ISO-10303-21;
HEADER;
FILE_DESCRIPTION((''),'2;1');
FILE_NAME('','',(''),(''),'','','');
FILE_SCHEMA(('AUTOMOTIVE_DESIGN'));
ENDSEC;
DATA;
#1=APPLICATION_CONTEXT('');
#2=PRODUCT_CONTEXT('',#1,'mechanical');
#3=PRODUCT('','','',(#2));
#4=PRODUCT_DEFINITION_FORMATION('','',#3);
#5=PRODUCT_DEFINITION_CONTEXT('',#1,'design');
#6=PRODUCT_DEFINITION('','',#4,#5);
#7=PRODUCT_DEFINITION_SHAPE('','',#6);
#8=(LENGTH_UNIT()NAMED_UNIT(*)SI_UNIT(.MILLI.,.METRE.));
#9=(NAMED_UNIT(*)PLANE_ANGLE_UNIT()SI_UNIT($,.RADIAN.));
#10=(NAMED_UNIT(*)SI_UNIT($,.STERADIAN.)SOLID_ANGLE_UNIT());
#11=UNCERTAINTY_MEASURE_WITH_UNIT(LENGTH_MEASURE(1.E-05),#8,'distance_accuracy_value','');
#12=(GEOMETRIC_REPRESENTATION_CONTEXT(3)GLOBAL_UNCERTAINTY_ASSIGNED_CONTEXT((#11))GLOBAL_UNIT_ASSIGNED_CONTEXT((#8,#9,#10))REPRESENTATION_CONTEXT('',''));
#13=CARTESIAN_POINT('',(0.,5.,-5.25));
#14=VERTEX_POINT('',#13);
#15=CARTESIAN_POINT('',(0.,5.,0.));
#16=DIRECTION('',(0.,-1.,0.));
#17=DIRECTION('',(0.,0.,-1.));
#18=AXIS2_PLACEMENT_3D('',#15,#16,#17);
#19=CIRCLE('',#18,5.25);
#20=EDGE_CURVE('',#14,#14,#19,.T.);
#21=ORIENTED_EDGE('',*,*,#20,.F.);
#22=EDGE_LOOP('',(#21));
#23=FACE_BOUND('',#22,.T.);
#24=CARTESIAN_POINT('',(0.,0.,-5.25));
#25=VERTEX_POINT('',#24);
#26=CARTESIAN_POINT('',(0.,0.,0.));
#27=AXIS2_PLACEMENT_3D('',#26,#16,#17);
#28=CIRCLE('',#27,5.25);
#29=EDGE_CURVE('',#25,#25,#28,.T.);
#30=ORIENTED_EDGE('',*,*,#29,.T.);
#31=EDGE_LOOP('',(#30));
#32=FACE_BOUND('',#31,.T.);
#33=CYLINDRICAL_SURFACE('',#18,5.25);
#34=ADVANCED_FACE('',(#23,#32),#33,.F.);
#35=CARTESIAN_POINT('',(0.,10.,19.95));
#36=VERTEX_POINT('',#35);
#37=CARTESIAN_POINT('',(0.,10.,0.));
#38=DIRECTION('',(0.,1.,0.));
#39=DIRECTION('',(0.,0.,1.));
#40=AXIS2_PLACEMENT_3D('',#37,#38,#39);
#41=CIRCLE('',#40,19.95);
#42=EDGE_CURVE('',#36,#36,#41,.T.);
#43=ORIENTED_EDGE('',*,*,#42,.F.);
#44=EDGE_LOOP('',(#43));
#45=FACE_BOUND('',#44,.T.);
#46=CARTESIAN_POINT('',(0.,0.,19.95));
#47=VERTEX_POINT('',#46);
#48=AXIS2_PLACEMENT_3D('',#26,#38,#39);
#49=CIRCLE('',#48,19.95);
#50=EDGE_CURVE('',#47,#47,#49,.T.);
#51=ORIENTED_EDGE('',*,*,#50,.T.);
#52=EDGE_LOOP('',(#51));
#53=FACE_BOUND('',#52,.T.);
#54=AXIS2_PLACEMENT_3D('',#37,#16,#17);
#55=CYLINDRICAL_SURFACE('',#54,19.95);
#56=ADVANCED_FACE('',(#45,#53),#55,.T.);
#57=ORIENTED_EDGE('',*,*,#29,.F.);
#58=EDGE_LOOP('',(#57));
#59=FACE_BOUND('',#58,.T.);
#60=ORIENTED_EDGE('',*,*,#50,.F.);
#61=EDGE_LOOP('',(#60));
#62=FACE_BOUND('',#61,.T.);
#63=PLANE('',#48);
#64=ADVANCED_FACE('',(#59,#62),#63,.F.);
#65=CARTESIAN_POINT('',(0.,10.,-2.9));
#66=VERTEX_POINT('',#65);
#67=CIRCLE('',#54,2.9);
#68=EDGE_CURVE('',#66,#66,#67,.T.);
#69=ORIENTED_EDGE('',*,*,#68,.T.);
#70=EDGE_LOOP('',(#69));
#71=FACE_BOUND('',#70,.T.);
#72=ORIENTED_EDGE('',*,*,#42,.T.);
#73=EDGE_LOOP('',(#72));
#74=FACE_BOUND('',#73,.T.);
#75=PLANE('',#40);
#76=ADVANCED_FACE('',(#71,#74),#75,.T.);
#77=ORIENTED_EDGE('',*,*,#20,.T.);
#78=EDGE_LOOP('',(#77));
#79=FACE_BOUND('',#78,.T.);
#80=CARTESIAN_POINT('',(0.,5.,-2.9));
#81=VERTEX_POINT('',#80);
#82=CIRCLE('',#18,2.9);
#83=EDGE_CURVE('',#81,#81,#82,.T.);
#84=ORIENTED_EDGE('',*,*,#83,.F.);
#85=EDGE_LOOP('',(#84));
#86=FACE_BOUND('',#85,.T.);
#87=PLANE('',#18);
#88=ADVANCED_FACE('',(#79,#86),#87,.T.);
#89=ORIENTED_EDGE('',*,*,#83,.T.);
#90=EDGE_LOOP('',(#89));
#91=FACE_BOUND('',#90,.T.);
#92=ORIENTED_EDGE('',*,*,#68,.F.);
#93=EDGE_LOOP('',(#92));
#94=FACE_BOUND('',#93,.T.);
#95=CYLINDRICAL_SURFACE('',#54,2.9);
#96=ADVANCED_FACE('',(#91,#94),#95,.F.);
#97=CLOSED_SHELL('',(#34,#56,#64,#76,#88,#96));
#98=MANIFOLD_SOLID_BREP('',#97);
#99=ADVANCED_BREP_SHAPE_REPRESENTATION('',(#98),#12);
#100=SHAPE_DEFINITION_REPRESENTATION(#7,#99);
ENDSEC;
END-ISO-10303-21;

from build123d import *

# Parameters (mm, degrees)
SKETCH1_R           = 19.95
BOSS_EXTRUDE1_DEPTH = 10
SKETCH2_R           = 5.25
CUT_EXTRUDE1_DEPTH  = 5
SKETCH3_R           = 2.9
CUT_EXTRUDE2_DEPTH  = 5


with BuildPart() as part:
    # Sketch1 → Boss-Extrude1 (new body)
    with BuildSketch(Plane(origin=(0, 0, 0), x_dir=(1, 0, 0), z_dir=(0, 1, 0))):
        Circle(SKETCH1_R)
    extrude(amount=BOSS_EXTRUDE1_DEPTH)

    # Sketch2 → Cut-Extrude1 (cut)
    with BuildSketch(Plane(origin=(0, 0, 0), x_dir=(-1, 0, 0), z_dir=(0, -1, 0))):
        Circle(SKETCH2_R)
    extrude(amount=-CUT_EXTRUDE1_DEPTH, mode=Mode.SUBTRACT)

    # Sketch3 → Cut-Extrude2 (cut)
    with BuildSketch(Plane(origin=(0, 5, 0), x_dir=(-1, 0, 0), z_dir=(0, -1, 0))):
        Circle(SKETCH3_R)
    extrude(amount=-CUT_EXTRUDE2_DEPTH, mode=Mode.SUBTRACT)


solid = part.part
